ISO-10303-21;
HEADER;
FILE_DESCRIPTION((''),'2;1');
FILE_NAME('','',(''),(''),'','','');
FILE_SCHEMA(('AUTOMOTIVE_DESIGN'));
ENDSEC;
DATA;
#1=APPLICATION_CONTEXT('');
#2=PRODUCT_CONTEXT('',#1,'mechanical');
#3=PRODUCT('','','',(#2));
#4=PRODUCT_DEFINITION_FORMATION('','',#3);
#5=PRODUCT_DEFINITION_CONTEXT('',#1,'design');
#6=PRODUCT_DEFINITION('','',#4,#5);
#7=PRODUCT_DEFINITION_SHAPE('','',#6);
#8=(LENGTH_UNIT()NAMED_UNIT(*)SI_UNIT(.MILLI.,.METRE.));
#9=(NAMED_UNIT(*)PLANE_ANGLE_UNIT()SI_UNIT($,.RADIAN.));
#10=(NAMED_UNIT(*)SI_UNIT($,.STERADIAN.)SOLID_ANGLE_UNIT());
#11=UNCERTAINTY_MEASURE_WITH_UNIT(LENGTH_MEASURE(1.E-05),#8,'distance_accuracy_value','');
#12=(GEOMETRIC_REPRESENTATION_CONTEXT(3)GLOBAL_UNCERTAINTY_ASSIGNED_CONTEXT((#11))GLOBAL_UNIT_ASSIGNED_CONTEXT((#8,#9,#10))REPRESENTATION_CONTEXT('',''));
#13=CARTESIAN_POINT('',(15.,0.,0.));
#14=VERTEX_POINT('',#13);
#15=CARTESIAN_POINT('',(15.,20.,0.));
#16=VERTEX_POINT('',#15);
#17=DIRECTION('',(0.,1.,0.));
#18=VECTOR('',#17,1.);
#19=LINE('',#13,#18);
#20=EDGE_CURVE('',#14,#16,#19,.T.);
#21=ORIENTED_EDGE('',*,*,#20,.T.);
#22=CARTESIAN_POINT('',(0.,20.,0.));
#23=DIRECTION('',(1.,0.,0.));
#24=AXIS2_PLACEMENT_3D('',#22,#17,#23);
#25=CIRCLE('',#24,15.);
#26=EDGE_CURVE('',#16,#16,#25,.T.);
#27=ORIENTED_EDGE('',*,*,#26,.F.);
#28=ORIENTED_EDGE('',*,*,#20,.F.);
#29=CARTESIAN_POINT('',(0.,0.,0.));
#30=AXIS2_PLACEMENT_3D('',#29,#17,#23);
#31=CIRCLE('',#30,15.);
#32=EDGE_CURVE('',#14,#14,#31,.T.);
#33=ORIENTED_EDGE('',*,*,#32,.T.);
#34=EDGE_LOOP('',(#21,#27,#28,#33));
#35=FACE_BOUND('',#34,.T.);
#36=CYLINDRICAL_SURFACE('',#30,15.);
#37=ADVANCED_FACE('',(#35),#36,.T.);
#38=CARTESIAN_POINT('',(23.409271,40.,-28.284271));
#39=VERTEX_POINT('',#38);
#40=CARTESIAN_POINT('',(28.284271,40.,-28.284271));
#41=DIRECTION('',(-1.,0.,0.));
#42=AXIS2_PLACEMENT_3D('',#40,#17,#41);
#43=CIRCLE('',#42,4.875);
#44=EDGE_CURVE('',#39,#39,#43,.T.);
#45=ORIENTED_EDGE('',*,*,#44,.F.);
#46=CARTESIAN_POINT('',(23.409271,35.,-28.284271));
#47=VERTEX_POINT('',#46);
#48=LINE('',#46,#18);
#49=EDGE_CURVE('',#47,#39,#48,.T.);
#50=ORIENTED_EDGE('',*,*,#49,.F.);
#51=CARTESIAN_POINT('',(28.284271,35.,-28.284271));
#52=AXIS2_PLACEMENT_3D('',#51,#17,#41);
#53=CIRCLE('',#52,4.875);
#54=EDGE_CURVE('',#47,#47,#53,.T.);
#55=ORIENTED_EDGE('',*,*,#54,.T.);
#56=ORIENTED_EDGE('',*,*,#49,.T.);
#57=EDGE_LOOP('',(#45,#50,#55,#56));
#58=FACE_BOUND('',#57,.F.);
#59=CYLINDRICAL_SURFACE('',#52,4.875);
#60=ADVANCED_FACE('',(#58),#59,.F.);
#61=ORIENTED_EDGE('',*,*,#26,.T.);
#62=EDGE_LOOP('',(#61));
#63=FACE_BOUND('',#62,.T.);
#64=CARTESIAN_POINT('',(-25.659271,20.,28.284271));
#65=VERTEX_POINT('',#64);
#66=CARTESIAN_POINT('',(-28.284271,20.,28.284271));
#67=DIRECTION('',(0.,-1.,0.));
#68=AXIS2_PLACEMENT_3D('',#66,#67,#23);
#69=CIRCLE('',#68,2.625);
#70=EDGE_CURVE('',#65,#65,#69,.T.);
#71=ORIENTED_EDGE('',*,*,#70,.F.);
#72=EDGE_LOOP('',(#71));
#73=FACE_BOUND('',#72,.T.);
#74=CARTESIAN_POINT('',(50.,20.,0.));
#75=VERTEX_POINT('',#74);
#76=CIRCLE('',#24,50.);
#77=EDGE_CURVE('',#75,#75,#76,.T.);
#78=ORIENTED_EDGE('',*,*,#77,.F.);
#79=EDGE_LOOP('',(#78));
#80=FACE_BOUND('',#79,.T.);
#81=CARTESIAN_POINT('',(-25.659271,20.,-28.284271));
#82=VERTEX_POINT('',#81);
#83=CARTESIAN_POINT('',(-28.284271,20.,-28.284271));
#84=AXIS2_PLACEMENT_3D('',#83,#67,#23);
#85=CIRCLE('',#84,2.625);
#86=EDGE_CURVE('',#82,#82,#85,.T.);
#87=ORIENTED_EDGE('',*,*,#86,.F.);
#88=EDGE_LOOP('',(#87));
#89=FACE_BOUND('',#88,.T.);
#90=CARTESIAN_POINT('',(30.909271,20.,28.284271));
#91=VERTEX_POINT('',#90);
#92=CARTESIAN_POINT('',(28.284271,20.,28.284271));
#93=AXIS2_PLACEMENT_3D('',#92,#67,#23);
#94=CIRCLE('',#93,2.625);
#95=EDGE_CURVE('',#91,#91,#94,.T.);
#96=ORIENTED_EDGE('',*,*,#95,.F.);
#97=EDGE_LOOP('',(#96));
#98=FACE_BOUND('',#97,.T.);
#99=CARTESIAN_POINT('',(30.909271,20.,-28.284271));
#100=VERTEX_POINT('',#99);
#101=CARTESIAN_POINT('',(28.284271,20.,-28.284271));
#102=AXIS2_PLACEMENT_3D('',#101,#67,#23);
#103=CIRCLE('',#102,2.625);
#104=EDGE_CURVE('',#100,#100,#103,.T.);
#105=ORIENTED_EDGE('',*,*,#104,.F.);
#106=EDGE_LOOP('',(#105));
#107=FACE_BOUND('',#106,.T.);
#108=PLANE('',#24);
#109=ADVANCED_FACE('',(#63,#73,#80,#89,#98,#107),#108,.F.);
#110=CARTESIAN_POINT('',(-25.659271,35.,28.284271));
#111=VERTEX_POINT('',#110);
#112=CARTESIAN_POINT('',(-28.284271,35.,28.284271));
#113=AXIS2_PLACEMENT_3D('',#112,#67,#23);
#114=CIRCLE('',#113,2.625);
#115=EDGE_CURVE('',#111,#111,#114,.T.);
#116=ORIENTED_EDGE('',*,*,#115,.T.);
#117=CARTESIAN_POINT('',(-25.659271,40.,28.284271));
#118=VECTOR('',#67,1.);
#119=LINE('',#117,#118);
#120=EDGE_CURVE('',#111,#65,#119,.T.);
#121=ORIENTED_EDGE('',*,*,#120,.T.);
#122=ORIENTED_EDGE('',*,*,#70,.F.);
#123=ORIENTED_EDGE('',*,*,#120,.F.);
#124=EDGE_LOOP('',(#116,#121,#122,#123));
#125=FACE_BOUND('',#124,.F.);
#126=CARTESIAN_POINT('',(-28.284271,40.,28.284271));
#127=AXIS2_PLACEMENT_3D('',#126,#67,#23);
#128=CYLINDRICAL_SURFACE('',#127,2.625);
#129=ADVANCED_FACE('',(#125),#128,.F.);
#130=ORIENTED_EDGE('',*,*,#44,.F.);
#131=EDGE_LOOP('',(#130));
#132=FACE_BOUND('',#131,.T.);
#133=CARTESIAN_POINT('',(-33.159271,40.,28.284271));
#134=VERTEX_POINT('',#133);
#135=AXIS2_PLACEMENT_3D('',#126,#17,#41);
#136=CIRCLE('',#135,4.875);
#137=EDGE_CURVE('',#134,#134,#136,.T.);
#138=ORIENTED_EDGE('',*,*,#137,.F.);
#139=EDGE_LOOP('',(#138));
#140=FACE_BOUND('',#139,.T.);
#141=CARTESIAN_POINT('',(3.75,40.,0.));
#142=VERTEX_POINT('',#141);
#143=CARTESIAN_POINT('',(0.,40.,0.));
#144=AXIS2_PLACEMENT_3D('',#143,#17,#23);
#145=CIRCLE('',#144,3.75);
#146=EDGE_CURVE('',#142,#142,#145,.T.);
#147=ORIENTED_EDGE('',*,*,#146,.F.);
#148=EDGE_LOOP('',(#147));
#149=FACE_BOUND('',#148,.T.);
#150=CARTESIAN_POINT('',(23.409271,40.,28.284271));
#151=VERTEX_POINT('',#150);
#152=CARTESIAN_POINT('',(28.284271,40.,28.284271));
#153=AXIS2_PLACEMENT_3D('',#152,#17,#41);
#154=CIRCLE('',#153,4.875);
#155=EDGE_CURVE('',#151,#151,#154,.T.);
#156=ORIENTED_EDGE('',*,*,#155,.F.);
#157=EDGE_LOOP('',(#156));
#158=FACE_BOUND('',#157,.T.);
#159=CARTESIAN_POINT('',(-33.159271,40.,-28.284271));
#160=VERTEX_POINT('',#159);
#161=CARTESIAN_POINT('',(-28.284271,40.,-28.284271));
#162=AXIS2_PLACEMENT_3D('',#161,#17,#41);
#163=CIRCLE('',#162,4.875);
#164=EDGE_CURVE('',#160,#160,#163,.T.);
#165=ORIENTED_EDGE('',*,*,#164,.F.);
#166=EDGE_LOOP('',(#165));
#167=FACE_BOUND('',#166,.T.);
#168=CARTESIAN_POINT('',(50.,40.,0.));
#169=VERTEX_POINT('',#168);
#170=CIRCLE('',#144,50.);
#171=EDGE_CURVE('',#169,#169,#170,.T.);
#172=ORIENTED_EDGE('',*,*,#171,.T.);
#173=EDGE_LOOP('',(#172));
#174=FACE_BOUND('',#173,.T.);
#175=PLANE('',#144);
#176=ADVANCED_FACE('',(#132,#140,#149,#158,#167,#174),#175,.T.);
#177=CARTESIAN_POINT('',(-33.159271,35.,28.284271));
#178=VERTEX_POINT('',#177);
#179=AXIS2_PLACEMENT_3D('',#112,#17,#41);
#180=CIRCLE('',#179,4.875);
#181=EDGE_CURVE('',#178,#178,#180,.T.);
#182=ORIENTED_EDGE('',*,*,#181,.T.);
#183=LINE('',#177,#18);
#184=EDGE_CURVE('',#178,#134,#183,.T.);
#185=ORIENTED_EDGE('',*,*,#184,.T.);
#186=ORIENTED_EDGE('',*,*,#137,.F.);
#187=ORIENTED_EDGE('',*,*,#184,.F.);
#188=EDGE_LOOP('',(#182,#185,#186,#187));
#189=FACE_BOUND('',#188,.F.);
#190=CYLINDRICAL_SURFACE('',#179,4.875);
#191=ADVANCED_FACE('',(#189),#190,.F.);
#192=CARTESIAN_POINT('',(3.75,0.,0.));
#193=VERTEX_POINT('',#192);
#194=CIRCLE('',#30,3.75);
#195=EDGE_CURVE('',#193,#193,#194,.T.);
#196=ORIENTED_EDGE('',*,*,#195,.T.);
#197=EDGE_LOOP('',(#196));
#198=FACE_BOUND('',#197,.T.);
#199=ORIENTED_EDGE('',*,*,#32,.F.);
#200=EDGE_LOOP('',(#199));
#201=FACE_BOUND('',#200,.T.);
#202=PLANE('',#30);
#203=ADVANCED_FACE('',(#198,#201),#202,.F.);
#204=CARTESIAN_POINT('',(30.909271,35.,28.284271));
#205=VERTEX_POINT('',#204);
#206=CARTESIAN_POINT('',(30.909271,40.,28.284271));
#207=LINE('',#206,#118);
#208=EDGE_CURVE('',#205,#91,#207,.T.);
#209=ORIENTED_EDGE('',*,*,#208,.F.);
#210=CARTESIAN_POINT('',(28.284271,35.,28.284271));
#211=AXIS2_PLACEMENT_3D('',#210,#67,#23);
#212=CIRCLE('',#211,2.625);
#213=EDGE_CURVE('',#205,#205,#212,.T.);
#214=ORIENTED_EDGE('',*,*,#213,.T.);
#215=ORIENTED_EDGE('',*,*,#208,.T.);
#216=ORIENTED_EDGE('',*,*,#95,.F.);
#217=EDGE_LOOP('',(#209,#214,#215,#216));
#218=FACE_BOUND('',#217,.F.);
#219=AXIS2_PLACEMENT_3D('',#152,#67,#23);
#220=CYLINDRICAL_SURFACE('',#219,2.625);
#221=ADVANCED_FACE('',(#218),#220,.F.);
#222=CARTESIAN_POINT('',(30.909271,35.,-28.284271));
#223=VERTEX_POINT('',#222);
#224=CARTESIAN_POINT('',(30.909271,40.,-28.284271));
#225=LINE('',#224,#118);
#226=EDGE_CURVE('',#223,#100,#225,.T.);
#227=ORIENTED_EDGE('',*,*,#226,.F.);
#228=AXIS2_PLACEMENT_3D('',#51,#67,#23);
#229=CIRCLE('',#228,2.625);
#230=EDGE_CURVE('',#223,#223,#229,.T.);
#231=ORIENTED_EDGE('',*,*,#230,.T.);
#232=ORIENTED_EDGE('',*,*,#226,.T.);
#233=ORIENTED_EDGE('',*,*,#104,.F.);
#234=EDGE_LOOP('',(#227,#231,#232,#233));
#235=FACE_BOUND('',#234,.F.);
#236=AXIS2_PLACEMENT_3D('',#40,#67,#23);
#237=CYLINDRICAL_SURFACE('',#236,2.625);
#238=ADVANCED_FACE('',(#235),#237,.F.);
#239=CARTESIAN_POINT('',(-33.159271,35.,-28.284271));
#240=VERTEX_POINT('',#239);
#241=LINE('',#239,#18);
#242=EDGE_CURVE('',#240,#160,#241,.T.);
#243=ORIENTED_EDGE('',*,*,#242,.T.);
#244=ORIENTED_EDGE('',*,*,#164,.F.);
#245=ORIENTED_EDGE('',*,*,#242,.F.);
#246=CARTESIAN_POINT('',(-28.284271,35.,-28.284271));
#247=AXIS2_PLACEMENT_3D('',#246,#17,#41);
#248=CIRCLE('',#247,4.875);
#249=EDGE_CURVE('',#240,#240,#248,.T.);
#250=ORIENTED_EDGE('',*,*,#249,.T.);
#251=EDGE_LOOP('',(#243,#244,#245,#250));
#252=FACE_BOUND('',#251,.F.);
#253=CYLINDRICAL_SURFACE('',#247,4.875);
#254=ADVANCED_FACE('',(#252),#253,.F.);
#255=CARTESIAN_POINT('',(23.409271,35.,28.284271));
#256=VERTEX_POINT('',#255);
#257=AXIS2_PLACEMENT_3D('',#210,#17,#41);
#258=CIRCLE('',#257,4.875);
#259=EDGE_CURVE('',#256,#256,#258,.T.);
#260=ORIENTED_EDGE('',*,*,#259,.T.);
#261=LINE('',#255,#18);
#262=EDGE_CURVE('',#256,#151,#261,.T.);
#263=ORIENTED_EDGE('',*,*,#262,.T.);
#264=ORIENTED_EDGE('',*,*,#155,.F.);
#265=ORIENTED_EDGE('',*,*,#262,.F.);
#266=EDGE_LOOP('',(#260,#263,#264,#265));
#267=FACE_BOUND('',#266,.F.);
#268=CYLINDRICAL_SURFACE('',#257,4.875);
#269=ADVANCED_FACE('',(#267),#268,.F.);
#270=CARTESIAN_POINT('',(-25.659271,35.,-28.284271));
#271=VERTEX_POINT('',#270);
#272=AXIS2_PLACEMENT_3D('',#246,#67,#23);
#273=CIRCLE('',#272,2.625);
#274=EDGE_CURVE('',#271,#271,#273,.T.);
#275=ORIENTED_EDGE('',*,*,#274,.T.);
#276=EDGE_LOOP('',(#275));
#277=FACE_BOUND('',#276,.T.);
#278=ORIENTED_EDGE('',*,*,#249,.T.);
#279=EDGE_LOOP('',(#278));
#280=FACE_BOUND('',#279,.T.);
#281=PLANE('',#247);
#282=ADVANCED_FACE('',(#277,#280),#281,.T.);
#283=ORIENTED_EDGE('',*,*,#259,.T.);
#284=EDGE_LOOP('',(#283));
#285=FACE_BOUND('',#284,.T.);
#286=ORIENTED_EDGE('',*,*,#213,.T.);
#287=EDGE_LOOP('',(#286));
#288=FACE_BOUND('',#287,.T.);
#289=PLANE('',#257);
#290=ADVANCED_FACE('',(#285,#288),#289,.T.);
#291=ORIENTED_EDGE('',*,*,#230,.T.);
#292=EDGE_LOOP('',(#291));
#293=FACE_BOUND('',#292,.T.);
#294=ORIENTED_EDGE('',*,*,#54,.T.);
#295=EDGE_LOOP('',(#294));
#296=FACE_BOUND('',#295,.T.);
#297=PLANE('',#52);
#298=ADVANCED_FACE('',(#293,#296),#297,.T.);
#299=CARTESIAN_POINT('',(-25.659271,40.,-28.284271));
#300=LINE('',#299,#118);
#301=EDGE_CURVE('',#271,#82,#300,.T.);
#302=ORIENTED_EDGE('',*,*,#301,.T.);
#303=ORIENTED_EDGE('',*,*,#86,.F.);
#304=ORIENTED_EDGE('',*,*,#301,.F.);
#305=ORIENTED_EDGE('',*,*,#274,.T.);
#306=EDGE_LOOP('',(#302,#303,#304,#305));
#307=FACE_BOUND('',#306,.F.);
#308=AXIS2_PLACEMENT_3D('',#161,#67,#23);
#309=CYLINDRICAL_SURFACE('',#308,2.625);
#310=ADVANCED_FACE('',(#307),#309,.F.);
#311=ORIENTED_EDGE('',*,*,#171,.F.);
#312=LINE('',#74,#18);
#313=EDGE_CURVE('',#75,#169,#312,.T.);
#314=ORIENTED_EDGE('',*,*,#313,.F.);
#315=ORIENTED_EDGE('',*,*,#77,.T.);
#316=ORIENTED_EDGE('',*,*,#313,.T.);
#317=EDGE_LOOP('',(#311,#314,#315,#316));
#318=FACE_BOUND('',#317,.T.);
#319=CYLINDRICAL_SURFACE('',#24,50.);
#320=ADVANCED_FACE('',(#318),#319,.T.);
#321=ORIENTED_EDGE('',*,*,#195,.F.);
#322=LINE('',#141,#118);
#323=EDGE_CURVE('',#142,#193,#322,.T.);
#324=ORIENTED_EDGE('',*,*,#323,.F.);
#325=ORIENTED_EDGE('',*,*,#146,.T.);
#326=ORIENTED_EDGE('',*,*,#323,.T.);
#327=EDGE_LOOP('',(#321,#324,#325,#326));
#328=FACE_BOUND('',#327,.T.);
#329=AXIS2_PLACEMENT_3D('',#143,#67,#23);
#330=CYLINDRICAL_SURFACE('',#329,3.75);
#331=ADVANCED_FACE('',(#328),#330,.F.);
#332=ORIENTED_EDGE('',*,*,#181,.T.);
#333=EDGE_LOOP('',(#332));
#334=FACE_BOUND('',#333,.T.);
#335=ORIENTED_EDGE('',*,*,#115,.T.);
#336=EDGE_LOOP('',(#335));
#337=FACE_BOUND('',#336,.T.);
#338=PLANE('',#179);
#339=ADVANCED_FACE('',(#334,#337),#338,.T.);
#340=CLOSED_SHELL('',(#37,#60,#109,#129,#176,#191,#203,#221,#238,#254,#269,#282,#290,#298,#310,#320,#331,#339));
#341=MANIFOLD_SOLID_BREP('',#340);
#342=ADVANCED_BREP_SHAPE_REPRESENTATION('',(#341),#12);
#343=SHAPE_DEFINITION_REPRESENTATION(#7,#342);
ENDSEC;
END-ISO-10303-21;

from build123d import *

# Parameters (mm, degrees)
F3_D           = 5.25
F3_CBORE_D     = 9.75
F3_CBORE_DEPTH = 5


with BuildPart() as f1:
    # F0 (on Top) → F1 (revolve)
    with BuildSketch(Plane.XY):
        Polygon((50, 20), (50, 40), (3.75, 40), (3.75, 0), (15, 0), (15, 20), align=None)
    revolve(axis=Axis((0, 20, 0), (0, 1, 0)))

    # F3 (through all)
    with Locations(Plane(origin=(0, 40, 0), x_dir=(-1, 0, 0), z_dir=(0, 1, 0))):
        with Locations((-28.2842712475, 28.2842712475), (28.2842712475, 28.2842712475), (-28.2842712475, -28.2842712475), (28.2842712475, -28.2842712475)):
            CounterBoreHole(F3_D / 2, F3_CBORE_D / 2, F3_CBORE_DEPTH)


solid = f1.part
